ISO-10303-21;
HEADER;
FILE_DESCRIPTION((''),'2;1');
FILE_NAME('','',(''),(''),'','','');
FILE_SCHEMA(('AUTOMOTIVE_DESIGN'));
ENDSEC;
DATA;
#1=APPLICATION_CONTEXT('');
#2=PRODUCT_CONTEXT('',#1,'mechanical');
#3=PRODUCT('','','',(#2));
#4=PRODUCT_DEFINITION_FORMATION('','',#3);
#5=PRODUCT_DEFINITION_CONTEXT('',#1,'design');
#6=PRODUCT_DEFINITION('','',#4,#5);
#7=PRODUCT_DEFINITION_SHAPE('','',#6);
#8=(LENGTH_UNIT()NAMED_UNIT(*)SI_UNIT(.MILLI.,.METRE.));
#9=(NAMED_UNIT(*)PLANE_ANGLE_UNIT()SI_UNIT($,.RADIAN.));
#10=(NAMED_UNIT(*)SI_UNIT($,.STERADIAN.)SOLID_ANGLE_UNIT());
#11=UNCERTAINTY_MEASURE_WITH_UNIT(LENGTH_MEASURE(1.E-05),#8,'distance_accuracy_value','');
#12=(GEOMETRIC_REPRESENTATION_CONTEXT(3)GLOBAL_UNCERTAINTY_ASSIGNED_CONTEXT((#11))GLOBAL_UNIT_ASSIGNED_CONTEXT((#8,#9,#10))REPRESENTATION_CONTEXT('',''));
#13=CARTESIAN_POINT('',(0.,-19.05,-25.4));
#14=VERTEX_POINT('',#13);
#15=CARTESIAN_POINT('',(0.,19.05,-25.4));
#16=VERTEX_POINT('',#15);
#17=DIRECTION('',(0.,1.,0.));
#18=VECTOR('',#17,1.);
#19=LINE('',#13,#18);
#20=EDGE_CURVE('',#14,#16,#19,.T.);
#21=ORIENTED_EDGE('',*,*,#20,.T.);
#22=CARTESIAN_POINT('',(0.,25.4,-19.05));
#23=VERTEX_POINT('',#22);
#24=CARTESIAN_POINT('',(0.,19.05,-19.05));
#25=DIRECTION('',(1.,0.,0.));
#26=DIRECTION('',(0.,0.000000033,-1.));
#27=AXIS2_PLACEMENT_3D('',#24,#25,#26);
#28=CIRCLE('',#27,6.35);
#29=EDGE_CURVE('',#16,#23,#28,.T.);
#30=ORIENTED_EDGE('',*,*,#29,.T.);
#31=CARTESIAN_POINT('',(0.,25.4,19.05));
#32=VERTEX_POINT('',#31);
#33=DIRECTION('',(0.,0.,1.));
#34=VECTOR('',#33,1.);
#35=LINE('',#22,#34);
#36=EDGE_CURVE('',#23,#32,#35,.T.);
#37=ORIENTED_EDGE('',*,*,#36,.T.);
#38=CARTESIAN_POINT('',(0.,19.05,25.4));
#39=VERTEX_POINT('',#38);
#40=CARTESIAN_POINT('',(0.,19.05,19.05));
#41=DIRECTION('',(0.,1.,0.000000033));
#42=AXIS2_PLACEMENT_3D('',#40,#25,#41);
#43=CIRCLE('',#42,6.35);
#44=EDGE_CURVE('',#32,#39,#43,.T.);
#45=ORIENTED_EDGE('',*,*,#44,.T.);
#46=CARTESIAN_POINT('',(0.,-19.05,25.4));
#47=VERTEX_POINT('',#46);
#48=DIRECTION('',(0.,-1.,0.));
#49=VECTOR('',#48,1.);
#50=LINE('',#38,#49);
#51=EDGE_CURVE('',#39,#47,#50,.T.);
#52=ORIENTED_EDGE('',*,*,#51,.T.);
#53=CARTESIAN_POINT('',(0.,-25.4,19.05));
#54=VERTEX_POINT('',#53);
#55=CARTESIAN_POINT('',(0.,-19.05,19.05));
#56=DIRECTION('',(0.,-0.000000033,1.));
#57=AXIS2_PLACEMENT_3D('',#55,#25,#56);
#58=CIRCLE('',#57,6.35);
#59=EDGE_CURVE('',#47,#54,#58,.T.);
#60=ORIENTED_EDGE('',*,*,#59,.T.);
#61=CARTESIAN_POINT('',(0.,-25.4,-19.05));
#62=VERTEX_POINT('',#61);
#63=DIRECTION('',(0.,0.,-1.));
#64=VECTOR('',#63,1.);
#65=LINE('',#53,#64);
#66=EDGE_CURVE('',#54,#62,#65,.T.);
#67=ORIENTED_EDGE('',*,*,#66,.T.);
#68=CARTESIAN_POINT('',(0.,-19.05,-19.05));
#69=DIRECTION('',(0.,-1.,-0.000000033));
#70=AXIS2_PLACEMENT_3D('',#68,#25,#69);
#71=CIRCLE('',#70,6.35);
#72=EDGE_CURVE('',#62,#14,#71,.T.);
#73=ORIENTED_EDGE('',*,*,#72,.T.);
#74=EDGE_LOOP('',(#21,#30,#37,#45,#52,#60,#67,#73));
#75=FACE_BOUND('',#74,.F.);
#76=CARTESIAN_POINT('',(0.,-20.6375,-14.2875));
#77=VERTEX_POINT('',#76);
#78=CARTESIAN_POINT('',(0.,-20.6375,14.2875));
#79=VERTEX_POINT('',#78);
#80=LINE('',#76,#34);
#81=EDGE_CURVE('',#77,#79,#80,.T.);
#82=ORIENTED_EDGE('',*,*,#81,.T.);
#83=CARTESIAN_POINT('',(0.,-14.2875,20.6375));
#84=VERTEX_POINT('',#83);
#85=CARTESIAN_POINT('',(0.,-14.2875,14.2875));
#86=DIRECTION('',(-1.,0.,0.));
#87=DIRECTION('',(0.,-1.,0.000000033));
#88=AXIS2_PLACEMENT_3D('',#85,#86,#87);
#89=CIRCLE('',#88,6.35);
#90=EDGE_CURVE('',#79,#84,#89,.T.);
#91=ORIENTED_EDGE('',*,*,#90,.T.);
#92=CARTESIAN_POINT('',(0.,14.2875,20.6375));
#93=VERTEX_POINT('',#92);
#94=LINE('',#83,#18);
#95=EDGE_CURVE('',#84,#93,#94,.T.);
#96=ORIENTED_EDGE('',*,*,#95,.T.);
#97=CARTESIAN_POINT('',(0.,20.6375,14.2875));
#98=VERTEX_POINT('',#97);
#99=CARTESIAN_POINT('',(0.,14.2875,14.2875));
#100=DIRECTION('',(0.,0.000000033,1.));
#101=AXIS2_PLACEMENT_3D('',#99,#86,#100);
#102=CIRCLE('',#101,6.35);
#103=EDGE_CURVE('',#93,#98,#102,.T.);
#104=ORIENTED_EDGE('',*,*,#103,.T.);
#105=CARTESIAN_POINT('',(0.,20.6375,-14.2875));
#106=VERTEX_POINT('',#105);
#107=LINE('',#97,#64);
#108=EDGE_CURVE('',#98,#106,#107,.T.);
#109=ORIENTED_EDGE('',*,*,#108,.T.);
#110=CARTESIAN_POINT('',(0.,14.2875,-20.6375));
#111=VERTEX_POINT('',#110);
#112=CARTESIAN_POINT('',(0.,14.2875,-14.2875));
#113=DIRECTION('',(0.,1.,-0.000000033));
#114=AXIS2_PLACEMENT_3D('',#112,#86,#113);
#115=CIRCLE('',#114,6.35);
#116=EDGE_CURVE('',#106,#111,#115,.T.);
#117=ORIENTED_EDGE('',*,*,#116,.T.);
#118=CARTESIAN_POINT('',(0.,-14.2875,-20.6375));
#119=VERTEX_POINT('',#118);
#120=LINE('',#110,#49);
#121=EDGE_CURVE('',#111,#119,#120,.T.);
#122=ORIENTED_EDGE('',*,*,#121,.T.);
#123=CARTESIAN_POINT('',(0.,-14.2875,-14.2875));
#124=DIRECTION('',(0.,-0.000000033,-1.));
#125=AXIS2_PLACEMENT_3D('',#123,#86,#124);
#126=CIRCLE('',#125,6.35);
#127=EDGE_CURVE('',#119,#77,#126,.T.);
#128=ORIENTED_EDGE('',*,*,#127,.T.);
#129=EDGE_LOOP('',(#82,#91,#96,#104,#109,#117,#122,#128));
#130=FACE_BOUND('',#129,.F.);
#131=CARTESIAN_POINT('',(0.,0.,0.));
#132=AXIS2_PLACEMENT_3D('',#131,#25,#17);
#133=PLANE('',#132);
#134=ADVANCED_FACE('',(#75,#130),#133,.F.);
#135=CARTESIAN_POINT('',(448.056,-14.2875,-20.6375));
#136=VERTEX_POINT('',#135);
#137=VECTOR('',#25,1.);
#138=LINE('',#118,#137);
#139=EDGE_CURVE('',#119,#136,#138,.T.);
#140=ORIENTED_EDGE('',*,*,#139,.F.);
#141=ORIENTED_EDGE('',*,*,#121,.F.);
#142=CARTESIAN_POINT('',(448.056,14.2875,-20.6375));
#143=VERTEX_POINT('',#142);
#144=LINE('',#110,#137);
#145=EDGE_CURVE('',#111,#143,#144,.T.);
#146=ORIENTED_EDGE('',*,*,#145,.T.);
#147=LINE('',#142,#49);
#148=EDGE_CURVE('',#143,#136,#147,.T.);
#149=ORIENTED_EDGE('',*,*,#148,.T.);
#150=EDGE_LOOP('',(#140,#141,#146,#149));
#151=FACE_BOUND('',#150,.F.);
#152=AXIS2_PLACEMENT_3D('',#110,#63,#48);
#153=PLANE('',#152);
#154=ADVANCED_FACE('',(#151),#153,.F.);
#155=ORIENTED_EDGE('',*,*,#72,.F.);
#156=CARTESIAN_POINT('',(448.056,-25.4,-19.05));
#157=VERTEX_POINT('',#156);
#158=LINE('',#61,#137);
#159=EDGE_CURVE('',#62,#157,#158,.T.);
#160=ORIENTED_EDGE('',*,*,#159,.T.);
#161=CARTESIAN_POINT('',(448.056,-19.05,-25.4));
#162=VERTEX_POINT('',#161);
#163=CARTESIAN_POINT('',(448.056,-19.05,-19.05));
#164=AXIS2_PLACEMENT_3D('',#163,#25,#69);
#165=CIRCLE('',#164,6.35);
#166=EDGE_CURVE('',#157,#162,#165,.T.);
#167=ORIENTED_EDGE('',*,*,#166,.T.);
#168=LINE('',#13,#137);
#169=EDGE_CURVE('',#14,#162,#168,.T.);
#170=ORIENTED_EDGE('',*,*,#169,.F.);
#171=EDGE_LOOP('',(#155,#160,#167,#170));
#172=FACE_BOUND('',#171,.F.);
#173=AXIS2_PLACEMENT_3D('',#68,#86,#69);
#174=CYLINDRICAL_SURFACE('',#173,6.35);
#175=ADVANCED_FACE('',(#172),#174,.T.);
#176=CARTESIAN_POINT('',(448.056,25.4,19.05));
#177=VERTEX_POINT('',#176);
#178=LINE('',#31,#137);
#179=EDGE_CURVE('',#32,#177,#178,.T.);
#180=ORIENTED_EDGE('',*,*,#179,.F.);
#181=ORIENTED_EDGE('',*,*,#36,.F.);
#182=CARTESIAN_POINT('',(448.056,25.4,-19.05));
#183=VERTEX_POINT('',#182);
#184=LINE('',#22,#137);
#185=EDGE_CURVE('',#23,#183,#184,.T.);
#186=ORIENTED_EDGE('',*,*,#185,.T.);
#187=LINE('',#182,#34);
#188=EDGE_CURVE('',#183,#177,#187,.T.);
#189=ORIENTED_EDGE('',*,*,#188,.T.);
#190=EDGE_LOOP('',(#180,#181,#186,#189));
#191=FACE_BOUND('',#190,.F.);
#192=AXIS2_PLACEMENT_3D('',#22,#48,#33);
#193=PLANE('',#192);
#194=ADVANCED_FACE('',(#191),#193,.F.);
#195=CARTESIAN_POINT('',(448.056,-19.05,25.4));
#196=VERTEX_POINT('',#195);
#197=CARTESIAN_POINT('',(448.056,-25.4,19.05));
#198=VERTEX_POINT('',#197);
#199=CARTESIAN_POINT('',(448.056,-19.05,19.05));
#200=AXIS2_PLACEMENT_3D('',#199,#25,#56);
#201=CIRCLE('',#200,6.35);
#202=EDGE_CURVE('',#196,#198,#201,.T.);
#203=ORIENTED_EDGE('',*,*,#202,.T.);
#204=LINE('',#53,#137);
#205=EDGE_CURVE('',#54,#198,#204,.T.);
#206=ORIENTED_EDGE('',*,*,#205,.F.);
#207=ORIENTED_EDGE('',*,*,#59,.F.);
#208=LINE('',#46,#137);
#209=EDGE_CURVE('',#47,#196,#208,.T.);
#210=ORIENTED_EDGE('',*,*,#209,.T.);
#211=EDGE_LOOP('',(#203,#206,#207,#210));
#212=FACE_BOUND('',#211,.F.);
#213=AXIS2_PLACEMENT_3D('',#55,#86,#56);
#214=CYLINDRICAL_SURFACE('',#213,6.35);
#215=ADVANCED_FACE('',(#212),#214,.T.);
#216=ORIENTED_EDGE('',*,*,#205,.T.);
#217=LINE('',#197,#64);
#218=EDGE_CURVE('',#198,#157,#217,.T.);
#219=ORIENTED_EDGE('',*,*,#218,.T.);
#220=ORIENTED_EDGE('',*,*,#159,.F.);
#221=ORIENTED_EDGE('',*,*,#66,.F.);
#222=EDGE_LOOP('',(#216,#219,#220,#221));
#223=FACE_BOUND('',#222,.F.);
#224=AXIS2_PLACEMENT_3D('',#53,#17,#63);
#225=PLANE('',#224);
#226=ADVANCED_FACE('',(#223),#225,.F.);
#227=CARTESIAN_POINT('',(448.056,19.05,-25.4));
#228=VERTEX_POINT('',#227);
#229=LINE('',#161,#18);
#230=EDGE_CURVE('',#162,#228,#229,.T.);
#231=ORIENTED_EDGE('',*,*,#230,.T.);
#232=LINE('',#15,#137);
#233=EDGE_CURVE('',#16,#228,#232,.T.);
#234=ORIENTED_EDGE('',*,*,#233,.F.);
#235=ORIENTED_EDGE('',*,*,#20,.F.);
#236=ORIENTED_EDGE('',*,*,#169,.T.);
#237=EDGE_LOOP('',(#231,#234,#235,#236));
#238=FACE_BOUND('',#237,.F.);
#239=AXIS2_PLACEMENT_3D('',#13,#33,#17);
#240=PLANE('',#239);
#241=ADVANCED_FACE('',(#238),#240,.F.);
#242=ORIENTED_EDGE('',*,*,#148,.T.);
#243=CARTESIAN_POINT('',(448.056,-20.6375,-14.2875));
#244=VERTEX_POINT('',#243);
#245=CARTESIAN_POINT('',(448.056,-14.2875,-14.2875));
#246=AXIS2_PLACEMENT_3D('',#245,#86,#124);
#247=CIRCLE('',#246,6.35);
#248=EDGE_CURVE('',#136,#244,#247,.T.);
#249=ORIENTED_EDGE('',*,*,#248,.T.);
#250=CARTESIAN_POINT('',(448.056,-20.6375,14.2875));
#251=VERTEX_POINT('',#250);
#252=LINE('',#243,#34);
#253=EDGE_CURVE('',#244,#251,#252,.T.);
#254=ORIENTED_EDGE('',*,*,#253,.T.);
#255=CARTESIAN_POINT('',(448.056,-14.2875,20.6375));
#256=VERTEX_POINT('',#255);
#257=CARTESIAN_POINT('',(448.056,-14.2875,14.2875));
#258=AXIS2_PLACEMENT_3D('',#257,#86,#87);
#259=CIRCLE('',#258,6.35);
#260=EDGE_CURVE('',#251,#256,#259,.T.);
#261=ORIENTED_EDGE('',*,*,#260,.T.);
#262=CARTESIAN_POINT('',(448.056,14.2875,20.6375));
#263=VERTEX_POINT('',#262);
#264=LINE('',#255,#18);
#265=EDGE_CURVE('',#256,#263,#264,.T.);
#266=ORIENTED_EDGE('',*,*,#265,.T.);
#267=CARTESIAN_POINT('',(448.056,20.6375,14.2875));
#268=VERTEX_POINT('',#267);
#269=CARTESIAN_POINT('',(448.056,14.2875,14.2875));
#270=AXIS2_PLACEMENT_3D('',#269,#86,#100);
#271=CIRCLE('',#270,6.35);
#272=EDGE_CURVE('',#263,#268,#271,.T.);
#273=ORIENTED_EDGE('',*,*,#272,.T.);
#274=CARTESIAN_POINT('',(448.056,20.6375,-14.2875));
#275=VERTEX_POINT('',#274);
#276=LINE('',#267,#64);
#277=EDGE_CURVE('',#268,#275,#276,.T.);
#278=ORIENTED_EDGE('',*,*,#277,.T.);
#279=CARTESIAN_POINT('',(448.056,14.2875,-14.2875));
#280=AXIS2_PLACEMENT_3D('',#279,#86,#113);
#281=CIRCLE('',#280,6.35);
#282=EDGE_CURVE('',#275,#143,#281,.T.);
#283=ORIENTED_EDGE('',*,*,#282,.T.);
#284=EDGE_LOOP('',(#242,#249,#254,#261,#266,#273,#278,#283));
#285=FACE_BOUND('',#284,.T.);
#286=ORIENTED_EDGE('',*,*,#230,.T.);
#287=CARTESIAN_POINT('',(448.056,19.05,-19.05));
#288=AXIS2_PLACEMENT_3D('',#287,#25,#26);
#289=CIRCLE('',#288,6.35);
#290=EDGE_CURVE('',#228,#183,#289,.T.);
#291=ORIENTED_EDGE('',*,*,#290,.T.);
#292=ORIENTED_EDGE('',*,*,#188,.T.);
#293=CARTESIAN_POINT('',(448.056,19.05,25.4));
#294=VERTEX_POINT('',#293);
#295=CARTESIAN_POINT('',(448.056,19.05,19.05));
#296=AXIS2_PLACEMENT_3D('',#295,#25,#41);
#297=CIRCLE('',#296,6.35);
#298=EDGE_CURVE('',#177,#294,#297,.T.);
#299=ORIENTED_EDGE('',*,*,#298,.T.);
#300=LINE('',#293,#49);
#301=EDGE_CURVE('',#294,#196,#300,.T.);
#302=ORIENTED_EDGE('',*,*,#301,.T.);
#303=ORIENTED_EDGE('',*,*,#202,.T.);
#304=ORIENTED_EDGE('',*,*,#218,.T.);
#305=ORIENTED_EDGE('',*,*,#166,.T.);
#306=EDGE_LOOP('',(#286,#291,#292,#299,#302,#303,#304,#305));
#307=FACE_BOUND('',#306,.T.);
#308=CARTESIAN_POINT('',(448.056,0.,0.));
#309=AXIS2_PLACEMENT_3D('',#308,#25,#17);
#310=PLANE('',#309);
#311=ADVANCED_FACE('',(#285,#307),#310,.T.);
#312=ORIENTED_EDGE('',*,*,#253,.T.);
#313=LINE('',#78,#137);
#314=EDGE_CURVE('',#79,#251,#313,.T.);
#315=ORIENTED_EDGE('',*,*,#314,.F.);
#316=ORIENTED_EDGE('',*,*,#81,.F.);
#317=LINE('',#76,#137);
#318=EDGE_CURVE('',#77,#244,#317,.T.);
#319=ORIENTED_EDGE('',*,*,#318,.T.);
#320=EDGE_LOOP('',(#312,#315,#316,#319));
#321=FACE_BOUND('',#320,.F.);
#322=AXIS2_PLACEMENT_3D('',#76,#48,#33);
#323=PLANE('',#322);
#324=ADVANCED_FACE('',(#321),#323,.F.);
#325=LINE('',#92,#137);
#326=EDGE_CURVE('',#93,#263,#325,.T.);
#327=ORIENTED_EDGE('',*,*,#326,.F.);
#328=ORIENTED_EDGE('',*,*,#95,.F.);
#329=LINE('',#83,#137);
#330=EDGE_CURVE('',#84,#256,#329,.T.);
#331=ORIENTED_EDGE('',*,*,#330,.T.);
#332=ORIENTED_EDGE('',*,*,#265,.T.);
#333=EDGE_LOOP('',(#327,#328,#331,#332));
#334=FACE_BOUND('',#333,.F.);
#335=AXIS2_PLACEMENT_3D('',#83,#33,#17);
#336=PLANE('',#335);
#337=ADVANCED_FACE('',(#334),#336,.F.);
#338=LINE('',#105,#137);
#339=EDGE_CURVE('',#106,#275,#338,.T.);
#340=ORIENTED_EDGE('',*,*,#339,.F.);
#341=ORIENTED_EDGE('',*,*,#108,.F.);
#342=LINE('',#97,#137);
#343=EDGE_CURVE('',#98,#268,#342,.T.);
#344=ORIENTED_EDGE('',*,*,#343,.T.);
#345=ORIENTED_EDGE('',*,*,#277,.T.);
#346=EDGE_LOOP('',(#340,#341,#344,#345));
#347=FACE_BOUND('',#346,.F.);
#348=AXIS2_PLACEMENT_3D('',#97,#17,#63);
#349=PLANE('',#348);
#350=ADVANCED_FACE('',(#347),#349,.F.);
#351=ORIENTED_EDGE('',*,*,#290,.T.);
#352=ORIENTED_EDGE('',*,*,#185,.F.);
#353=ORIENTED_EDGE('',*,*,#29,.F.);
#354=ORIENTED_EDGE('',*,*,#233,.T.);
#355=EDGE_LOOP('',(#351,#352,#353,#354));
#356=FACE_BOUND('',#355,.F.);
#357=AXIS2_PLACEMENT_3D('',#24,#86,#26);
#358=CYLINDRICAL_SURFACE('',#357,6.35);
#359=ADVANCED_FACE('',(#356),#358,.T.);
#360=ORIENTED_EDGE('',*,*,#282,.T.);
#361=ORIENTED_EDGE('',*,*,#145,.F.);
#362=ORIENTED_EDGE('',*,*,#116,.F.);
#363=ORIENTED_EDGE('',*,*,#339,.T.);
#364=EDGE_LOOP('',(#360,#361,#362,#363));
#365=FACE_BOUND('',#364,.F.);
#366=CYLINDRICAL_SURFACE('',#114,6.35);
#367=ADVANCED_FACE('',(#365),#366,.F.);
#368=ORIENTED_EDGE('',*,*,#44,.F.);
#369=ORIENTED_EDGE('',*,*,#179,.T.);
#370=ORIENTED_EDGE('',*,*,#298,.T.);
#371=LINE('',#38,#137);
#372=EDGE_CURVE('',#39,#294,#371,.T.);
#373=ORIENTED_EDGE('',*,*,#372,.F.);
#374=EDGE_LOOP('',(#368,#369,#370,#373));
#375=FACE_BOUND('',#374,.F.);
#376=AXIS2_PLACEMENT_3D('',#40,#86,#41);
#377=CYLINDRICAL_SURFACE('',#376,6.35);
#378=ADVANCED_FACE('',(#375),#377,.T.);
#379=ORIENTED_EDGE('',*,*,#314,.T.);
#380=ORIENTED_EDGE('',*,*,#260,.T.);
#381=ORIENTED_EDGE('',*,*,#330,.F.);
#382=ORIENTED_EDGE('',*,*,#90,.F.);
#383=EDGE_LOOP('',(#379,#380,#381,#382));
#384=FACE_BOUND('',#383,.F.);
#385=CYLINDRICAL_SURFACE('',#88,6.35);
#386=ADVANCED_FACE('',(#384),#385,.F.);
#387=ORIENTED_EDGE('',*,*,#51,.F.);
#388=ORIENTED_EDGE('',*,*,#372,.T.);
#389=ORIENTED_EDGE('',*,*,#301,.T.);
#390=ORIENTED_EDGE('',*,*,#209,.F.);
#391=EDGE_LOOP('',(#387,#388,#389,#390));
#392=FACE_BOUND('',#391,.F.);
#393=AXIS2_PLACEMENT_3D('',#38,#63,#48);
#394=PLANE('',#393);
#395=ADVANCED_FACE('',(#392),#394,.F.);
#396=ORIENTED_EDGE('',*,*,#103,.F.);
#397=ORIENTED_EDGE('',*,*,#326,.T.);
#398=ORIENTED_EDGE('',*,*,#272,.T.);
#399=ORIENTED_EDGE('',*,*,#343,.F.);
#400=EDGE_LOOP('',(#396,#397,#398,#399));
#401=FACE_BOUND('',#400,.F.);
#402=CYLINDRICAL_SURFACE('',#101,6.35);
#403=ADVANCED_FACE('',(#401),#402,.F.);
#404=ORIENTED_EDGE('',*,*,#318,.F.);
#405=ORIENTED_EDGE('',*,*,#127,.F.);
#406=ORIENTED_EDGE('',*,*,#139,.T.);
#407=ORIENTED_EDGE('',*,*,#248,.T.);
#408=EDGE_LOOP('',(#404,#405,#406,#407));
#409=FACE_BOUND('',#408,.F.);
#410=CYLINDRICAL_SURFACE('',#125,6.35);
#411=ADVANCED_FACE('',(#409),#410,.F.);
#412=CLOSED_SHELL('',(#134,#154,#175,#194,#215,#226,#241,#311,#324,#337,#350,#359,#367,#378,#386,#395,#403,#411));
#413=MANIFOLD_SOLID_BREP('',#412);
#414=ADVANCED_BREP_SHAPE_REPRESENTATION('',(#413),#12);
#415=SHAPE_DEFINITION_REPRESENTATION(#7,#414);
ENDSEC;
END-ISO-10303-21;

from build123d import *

# Parameters (mm, degrees)
F1_DEPTH = 448.056


with BuildPart() as f1:
    # F0 (on Right) → F1 (new body)
    with BuildSketch(Plane.YZ):
        with BuildLine():
            ThreePointArc((25.4, 19.05), (23.540128, 23.540128), (19.05, 25.4))
            Line((19.05, 25.4), (-19.05, 25.4))
            ThreePointArc((-19.05, 25.4), (-23.540128, 23.540128), (-25.4, 19.05))
            Line((-25.4, 19.05), (-25.4, -19.05))
            ThreePointArc((-25.4, -19.05), (-23.540128, -23.540128), (-19.05, -25.4))
            Line((-19.05, -25.4), (19.05, -25.4))
            ThreePointArc((19.05, -25.4), (23.540128, -23.540128), (25.4, -19.05))
            Line((25.4, -19.05), (25.4, 19.05))
        make_face()
        with BuildLine():
            Line((-14.2875, 20.6375), (14.2875, 20.6375))
            ThreePointArc((14.2875, 20.6375), (18.777628, 18.777628), (20.6375, 14.2875))
            Line((20.6375, 14.2875), (20.6375, -14.2875))
            ThreePointArc((20.6375, -14.2875), (18.777628, -18.777628), (14.2875, -20.6375))
            Line((14.2875, -20.6375), (-14.2875, -20.6375))
            ThreePointArc((-14.2875, -20.6375), (-18.777628, -18.777628), (-20.6375, -14.2875))
            Line((-20.6375, -14.2875), (-20.6375, 14.2875))
            ThreePointArc((-20.6375, 14.2875), (-18.777628, 18.777628), (-14.2875, 20.6375))
        make_face(mode=Mode.SUBTRACT)
    extrude(amount=F1_DEPTH)


solid = f1.part
